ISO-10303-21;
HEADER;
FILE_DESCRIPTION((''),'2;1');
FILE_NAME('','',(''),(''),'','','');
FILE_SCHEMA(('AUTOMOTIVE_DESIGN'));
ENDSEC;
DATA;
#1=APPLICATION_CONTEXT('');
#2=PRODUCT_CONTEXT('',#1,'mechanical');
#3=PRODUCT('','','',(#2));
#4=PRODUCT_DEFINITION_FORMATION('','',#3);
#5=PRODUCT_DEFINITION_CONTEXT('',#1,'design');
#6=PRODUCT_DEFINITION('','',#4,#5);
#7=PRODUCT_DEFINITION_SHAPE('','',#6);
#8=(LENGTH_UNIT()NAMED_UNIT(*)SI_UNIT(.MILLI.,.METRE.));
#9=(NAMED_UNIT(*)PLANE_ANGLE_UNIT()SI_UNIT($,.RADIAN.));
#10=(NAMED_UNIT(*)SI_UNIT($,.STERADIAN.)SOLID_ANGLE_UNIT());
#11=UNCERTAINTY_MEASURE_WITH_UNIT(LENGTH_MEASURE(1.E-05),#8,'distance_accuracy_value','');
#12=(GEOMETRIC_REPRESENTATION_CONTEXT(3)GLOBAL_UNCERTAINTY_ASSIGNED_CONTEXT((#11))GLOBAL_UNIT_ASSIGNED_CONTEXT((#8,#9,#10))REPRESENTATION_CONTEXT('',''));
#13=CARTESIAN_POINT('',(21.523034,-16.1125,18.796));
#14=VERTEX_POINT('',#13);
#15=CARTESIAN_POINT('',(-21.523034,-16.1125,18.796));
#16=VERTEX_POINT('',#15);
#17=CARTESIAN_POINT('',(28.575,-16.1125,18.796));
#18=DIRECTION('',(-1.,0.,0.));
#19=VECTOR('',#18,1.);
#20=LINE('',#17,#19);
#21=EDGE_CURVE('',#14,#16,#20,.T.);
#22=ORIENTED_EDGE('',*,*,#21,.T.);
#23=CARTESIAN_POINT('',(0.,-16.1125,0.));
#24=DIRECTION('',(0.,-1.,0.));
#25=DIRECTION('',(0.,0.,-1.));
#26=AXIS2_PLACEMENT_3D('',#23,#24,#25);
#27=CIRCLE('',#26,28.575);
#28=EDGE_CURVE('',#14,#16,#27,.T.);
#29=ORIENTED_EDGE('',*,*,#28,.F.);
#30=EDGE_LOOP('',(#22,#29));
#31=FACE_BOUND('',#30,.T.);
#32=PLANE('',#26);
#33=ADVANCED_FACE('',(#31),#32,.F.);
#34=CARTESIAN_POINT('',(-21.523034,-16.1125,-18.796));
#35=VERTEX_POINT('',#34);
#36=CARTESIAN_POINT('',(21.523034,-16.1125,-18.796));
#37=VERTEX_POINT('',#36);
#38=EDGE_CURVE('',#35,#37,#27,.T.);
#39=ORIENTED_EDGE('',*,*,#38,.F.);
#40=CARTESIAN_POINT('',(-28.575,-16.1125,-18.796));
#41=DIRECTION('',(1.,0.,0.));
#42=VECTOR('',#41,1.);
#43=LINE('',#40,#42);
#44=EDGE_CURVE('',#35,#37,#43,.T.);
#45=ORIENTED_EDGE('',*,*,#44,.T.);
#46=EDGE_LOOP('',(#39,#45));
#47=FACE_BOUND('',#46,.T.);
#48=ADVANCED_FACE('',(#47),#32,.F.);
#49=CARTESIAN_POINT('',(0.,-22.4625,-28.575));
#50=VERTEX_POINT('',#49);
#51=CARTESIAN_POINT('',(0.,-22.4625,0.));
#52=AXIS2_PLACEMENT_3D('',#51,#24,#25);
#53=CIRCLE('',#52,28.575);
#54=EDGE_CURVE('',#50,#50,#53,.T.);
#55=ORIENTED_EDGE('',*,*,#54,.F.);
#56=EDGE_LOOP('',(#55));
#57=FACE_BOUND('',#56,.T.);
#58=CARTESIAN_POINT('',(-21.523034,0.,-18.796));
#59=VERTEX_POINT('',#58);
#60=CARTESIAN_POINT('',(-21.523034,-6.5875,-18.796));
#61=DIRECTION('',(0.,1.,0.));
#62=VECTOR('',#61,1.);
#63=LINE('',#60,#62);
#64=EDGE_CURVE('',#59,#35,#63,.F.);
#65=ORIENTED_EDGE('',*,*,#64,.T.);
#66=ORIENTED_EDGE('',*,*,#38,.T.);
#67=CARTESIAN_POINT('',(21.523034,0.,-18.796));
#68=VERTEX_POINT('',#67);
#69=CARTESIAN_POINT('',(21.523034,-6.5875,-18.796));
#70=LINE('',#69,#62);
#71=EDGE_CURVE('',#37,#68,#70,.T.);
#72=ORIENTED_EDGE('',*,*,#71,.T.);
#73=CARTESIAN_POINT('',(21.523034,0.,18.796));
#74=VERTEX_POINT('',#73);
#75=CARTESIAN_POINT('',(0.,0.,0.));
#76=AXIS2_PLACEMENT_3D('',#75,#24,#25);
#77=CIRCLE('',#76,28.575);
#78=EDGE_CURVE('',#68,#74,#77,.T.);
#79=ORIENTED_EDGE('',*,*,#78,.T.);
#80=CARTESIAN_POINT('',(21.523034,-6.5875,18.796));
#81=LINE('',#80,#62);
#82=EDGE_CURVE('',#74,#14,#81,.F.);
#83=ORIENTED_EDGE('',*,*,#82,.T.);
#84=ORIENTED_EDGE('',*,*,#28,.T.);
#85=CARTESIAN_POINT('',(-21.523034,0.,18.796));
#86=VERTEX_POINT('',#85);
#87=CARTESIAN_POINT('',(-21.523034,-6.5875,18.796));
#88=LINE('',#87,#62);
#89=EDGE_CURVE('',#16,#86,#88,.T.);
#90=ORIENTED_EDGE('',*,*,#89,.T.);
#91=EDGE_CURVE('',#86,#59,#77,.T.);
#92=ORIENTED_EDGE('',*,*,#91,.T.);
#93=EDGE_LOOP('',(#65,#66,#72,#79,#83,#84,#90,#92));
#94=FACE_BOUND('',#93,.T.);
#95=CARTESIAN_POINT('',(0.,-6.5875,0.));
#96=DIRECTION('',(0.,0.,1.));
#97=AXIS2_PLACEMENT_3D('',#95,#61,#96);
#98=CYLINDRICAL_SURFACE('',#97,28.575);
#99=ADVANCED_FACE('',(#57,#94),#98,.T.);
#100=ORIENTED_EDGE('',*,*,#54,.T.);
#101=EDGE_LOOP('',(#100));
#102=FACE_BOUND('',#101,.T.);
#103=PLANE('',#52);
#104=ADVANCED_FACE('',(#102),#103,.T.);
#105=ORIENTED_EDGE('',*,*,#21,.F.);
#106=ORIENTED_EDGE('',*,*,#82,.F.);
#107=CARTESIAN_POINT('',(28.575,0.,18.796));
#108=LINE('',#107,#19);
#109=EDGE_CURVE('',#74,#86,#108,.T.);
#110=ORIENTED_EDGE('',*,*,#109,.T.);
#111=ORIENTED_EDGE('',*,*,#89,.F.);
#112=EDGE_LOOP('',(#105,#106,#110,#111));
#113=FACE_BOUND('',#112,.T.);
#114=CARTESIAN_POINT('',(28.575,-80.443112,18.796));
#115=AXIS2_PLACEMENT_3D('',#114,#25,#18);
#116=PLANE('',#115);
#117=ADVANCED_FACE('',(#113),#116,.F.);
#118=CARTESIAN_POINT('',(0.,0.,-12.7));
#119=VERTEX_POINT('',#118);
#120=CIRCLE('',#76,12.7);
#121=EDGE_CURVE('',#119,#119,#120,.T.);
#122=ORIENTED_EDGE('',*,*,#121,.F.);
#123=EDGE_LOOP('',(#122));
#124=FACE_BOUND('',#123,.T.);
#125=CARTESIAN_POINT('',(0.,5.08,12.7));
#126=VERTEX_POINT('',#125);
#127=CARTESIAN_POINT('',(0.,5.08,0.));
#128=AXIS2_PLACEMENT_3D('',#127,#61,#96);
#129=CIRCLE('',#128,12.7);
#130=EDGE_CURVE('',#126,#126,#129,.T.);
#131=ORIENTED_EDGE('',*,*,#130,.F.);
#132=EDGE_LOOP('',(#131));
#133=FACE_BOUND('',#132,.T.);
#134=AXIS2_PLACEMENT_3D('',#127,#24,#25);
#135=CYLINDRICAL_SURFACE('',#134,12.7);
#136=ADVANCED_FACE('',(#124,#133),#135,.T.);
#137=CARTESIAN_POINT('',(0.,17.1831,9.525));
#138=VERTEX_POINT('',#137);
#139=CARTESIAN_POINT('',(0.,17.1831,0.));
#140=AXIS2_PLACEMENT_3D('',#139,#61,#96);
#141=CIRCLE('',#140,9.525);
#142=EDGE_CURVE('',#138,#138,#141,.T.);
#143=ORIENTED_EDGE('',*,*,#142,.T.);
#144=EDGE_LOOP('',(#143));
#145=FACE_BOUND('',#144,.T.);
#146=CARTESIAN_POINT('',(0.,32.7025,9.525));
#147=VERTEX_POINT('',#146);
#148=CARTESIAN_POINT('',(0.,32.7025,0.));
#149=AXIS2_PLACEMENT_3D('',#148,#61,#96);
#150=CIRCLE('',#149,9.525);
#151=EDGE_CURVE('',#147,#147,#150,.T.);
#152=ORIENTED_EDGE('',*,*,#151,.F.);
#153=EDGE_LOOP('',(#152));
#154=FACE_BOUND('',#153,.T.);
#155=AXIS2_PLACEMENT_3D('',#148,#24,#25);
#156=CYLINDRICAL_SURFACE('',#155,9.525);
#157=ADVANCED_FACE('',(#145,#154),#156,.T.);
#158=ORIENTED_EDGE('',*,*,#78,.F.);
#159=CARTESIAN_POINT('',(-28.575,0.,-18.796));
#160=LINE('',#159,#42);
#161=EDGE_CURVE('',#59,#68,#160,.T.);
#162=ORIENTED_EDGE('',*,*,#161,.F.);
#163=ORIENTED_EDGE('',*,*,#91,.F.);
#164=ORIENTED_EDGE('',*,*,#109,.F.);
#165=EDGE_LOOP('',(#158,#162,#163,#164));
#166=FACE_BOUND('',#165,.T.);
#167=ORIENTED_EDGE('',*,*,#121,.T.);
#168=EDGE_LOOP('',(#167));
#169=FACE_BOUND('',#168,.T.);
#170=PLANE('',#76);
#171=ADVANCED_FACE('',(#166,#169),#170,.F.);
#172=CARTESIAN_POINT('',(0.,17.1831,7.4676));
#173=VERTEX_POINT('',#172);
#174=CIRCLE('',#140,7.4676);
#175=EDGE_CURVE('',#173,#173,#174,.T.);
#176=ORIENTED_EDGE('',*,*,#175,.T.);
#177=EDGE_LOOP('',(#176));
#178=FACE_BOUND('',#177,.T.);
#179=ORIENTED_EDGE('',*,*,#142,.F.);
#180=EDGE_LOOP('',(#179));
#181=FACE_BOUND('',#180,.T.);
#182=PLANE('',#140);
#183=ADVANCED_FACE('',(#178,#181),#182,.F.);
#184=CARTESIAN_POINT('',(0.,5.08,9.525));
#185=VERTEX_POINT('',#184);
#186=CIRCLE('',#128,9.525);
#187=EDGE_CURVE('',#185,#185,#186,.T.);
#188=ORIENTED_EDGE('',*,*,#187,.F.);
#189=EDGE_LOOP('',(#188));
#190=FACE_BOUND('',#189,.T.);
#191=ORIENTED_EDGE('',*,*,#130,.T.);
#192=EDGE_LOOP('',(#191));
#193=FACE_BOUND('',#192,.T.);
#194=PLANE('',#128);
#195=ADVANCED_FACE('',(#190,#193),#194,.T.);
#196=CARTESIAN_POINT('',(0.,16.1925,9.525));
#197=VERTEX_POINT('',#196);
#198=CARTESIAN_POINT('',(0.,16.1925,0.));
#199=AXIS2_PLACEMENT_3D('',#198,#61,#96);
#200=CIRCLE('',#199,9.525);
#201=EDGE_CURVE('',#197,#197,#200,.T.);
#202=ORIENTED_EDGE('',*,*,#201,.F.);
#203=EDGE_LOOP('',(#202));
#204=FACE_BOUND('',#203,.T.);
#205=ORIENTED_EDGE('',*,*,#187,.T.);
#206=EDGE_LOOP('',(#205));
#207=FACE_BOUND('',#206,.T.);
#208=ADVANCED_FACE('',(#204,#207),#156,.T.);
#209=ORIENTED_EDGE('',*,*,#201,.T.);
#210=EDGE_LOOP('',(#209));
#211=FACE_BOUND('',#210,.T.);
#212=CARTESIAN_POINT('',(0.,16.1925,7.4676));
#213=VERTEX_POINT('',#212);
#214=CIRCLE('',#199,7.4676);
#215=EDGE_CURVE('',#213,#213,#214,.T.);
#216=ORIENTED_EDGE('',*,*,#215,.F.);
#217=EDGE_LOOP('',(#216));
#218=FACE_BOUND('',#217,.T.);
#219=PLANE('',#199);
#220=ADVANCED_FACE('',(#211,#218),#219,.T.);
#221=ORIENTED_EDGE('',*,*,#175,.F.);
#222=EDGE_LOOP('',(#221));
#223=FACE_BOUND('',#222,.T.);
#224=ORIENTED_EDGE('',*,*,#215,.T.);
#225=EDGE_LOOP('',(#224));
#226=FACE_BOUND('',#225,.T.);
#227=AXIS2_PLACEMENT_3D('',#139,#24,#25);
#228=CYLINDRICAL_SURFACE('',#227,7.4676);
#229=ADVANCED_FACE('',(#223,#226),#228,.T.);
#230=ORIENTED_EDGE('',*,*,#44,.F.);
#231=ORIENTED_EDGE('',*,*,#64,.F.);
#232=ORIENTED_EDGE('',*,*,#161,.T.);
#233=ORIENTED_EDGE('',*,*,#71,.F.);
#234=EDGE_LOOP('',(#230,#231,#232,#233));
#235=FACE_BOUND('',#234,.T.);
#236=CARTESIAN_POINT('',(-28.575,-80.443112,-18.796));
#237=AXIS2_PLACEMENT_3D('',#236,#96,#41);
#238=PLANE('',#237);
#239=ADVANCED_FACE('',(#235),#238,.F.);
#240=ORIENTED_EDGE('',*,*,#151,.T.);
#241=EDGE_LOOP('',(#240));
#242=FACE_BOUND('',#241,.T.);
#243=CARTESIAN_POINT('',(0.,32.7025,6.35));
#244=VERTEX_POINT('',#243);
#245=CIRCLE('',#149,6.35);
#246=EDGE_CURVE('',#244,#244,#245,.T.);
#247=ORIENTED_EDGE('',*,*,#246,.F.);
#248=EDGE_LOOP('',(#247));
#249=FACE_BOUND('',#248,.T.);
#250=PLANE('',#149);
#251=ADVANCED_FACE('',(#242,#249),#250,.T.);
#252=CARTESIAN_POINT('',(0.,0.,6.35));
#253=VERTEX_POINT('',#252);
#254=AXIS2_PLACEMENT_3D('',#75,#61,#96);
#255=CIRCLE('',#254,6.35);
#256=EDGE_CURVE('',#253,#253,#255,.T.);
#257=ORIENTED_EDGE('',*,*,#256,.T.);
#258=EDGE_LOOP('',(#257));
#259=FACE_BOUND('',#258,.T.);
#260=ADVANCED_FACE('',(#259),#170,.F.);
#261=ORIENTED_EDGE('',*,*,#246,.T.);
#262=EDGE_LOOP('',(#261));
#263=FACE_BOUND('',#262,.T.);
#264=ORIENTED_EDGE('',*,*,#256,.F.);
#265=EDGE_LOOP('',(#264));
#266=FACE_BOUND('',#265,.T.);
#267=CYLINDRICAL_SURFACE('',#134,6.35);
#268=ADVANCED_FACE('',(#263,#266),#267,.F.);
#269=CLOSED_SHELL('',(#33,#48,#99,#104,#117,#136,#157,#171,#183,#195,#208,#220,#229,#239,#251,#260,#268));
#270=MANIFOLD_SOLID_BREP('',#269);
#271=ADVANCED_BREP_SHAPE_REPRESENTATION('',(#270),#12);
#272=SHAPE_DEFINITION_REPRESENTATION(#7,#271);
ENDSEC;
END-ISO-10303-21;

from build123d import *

# Parameters (mm, degrees)
SKETCH1_R           = 12.7
SKETCH1_R_2         = 6.35
BOSS_EXTRUDE1_DEPTH = 5.08
SKETCH2_R           = 9.525
SKETCH2_R_2         = 6.35
BOSS_EXTRUDE2_DEPTH = 27.6225
SKETCH3_OUTSIDE_W   = 37.116
SKETCH3_OUTSIDE_H   = 37.116
SKETCH3_OUTSIDE_R   = 7.4676
CUT_EXTRUDE1_DEPTH  = 0.9906
SKETCH5_R           = 28.575
BOSS_EXTRUDE4_DEPTH = 6.587499906
BOSS_EXTRUDE5_DEPTH = 15.875
SKETCH12_W          = 57.15
SKETCH12_H          = 9.779
CUT_EXTRUDE2_DEPTH  = 16.1125
BOSS_EXTRUDE6_DEPTH = 15.875


with BuildPart() as part:
    # Sketch1 → Boss-Extrude1 (new body)
    with BuildSketch(Plane(origin=(0, 0, 0), x_dir=(1, 0, 0), z_dir=(0, 1, 0))):
        Circle(SKETCH1_R)
        Circle(SKETCH1_R_2, mode=Mode.SUBTRACT)
    extrude(amount=BOSS_EXTRUDE1_DEPTH)

    # Sketch2 → Boss-Extrude2 (add)
    with BuildSketch(Plane(origin=(0, 5.08, 0), x_dir=(1, 0, 0), z_dir=(0, 1, 0))):
        Circle(SKETCH2_R)
        Circle(SKETCH2_R_2, mode=Mode.SUBTRACT)
    extrude(amount=BOSS_EXTRUDE2_DEPTH)

    # Sketch3 outside → Cut-Extrude1 (cut)
    with BuildSketch(Plane(origin=(0, 16.1925, 0), x_dir=(-1, 0, 0), z_dir=(0, 1, 0))):
        Rectangle(SKETCH3_OUTSIDE_W, SKETCH3_OUTSIDE_H)
        Circle(SKETCH3_OUTSIDE_R, mode=Mode.SUBTRACT)
    extrude(amount=CUT_EXTRUDE1_DEPTH, mode=Mode.SUBTRACT)

    # Sketch5 → Boss-Extrude4 (add)
    with BuildSketch(Plane.XZ):
        Circle(SKETCH5_R)
    extrude(amount=BOSS_EXTRUDE4_DEPTH)

    # Sketch8 → Boss-Extrude5 (add)
    with BuildSketch(Plane.XZ.offset(6.587499906)):
        with BuildLine():
            Line((23.759524406, -15.875), (-23.759524406, -15.875))
            ThreePointArc((-23.759524406, -15.875), (0, -28.575), (23.759524406, -15.875))
        make_face()
        with BuildLine():
            ThreePointArc((23.759524406, 15.875), (0, 28.575), (-23.759524406, 15.875))
            Line((-23.759524406, 15.875), (23.759524406, 15.875))
        make_face()
    extrude(amount=BOSS_EXTRUDE5_DEPTH)

    # Sketch12 → Cut-Extrude2 (cut)
    with BuildSketch(Plane(origin=(0, 0, 0), x_dir=(1, 0, 0), z_dir=(0, 1, 0))):
        with Locations((0, 23.6855)):
            Rectangle(SKETCH12_W, SKETCH12_H)
        with Locations((0, -23.6855)):
            Rectangle(SKETCH12_W, SKETCH12_H)
    extrude(amount=-CUT_EXTRUDE2_DEPTH, mode=Mode.SUBTRACT)

    # Sketch13 → Boss-Extrude6 (add)
    with BuildSketch(Plane.XZ.offset(6.587499906)):
        with BuildLine():
            Line((23.759524406, 15.875), (-23.759524406, 15.875))
            ThreePointArc((-23.759524406, 15.875), (-28.575, 0), (-23.759524406, -15.875))
            Line((-23.759524406, -15.875), (23.759524406, -15.875))
            ThreePointArc((23.759524406, -15.875), (28.575, 0), (23.759524406, 15.875))
        make_face()
    extrude(amount=BOSS_EXTRUDE6_DEPTH)


solid = part.part
